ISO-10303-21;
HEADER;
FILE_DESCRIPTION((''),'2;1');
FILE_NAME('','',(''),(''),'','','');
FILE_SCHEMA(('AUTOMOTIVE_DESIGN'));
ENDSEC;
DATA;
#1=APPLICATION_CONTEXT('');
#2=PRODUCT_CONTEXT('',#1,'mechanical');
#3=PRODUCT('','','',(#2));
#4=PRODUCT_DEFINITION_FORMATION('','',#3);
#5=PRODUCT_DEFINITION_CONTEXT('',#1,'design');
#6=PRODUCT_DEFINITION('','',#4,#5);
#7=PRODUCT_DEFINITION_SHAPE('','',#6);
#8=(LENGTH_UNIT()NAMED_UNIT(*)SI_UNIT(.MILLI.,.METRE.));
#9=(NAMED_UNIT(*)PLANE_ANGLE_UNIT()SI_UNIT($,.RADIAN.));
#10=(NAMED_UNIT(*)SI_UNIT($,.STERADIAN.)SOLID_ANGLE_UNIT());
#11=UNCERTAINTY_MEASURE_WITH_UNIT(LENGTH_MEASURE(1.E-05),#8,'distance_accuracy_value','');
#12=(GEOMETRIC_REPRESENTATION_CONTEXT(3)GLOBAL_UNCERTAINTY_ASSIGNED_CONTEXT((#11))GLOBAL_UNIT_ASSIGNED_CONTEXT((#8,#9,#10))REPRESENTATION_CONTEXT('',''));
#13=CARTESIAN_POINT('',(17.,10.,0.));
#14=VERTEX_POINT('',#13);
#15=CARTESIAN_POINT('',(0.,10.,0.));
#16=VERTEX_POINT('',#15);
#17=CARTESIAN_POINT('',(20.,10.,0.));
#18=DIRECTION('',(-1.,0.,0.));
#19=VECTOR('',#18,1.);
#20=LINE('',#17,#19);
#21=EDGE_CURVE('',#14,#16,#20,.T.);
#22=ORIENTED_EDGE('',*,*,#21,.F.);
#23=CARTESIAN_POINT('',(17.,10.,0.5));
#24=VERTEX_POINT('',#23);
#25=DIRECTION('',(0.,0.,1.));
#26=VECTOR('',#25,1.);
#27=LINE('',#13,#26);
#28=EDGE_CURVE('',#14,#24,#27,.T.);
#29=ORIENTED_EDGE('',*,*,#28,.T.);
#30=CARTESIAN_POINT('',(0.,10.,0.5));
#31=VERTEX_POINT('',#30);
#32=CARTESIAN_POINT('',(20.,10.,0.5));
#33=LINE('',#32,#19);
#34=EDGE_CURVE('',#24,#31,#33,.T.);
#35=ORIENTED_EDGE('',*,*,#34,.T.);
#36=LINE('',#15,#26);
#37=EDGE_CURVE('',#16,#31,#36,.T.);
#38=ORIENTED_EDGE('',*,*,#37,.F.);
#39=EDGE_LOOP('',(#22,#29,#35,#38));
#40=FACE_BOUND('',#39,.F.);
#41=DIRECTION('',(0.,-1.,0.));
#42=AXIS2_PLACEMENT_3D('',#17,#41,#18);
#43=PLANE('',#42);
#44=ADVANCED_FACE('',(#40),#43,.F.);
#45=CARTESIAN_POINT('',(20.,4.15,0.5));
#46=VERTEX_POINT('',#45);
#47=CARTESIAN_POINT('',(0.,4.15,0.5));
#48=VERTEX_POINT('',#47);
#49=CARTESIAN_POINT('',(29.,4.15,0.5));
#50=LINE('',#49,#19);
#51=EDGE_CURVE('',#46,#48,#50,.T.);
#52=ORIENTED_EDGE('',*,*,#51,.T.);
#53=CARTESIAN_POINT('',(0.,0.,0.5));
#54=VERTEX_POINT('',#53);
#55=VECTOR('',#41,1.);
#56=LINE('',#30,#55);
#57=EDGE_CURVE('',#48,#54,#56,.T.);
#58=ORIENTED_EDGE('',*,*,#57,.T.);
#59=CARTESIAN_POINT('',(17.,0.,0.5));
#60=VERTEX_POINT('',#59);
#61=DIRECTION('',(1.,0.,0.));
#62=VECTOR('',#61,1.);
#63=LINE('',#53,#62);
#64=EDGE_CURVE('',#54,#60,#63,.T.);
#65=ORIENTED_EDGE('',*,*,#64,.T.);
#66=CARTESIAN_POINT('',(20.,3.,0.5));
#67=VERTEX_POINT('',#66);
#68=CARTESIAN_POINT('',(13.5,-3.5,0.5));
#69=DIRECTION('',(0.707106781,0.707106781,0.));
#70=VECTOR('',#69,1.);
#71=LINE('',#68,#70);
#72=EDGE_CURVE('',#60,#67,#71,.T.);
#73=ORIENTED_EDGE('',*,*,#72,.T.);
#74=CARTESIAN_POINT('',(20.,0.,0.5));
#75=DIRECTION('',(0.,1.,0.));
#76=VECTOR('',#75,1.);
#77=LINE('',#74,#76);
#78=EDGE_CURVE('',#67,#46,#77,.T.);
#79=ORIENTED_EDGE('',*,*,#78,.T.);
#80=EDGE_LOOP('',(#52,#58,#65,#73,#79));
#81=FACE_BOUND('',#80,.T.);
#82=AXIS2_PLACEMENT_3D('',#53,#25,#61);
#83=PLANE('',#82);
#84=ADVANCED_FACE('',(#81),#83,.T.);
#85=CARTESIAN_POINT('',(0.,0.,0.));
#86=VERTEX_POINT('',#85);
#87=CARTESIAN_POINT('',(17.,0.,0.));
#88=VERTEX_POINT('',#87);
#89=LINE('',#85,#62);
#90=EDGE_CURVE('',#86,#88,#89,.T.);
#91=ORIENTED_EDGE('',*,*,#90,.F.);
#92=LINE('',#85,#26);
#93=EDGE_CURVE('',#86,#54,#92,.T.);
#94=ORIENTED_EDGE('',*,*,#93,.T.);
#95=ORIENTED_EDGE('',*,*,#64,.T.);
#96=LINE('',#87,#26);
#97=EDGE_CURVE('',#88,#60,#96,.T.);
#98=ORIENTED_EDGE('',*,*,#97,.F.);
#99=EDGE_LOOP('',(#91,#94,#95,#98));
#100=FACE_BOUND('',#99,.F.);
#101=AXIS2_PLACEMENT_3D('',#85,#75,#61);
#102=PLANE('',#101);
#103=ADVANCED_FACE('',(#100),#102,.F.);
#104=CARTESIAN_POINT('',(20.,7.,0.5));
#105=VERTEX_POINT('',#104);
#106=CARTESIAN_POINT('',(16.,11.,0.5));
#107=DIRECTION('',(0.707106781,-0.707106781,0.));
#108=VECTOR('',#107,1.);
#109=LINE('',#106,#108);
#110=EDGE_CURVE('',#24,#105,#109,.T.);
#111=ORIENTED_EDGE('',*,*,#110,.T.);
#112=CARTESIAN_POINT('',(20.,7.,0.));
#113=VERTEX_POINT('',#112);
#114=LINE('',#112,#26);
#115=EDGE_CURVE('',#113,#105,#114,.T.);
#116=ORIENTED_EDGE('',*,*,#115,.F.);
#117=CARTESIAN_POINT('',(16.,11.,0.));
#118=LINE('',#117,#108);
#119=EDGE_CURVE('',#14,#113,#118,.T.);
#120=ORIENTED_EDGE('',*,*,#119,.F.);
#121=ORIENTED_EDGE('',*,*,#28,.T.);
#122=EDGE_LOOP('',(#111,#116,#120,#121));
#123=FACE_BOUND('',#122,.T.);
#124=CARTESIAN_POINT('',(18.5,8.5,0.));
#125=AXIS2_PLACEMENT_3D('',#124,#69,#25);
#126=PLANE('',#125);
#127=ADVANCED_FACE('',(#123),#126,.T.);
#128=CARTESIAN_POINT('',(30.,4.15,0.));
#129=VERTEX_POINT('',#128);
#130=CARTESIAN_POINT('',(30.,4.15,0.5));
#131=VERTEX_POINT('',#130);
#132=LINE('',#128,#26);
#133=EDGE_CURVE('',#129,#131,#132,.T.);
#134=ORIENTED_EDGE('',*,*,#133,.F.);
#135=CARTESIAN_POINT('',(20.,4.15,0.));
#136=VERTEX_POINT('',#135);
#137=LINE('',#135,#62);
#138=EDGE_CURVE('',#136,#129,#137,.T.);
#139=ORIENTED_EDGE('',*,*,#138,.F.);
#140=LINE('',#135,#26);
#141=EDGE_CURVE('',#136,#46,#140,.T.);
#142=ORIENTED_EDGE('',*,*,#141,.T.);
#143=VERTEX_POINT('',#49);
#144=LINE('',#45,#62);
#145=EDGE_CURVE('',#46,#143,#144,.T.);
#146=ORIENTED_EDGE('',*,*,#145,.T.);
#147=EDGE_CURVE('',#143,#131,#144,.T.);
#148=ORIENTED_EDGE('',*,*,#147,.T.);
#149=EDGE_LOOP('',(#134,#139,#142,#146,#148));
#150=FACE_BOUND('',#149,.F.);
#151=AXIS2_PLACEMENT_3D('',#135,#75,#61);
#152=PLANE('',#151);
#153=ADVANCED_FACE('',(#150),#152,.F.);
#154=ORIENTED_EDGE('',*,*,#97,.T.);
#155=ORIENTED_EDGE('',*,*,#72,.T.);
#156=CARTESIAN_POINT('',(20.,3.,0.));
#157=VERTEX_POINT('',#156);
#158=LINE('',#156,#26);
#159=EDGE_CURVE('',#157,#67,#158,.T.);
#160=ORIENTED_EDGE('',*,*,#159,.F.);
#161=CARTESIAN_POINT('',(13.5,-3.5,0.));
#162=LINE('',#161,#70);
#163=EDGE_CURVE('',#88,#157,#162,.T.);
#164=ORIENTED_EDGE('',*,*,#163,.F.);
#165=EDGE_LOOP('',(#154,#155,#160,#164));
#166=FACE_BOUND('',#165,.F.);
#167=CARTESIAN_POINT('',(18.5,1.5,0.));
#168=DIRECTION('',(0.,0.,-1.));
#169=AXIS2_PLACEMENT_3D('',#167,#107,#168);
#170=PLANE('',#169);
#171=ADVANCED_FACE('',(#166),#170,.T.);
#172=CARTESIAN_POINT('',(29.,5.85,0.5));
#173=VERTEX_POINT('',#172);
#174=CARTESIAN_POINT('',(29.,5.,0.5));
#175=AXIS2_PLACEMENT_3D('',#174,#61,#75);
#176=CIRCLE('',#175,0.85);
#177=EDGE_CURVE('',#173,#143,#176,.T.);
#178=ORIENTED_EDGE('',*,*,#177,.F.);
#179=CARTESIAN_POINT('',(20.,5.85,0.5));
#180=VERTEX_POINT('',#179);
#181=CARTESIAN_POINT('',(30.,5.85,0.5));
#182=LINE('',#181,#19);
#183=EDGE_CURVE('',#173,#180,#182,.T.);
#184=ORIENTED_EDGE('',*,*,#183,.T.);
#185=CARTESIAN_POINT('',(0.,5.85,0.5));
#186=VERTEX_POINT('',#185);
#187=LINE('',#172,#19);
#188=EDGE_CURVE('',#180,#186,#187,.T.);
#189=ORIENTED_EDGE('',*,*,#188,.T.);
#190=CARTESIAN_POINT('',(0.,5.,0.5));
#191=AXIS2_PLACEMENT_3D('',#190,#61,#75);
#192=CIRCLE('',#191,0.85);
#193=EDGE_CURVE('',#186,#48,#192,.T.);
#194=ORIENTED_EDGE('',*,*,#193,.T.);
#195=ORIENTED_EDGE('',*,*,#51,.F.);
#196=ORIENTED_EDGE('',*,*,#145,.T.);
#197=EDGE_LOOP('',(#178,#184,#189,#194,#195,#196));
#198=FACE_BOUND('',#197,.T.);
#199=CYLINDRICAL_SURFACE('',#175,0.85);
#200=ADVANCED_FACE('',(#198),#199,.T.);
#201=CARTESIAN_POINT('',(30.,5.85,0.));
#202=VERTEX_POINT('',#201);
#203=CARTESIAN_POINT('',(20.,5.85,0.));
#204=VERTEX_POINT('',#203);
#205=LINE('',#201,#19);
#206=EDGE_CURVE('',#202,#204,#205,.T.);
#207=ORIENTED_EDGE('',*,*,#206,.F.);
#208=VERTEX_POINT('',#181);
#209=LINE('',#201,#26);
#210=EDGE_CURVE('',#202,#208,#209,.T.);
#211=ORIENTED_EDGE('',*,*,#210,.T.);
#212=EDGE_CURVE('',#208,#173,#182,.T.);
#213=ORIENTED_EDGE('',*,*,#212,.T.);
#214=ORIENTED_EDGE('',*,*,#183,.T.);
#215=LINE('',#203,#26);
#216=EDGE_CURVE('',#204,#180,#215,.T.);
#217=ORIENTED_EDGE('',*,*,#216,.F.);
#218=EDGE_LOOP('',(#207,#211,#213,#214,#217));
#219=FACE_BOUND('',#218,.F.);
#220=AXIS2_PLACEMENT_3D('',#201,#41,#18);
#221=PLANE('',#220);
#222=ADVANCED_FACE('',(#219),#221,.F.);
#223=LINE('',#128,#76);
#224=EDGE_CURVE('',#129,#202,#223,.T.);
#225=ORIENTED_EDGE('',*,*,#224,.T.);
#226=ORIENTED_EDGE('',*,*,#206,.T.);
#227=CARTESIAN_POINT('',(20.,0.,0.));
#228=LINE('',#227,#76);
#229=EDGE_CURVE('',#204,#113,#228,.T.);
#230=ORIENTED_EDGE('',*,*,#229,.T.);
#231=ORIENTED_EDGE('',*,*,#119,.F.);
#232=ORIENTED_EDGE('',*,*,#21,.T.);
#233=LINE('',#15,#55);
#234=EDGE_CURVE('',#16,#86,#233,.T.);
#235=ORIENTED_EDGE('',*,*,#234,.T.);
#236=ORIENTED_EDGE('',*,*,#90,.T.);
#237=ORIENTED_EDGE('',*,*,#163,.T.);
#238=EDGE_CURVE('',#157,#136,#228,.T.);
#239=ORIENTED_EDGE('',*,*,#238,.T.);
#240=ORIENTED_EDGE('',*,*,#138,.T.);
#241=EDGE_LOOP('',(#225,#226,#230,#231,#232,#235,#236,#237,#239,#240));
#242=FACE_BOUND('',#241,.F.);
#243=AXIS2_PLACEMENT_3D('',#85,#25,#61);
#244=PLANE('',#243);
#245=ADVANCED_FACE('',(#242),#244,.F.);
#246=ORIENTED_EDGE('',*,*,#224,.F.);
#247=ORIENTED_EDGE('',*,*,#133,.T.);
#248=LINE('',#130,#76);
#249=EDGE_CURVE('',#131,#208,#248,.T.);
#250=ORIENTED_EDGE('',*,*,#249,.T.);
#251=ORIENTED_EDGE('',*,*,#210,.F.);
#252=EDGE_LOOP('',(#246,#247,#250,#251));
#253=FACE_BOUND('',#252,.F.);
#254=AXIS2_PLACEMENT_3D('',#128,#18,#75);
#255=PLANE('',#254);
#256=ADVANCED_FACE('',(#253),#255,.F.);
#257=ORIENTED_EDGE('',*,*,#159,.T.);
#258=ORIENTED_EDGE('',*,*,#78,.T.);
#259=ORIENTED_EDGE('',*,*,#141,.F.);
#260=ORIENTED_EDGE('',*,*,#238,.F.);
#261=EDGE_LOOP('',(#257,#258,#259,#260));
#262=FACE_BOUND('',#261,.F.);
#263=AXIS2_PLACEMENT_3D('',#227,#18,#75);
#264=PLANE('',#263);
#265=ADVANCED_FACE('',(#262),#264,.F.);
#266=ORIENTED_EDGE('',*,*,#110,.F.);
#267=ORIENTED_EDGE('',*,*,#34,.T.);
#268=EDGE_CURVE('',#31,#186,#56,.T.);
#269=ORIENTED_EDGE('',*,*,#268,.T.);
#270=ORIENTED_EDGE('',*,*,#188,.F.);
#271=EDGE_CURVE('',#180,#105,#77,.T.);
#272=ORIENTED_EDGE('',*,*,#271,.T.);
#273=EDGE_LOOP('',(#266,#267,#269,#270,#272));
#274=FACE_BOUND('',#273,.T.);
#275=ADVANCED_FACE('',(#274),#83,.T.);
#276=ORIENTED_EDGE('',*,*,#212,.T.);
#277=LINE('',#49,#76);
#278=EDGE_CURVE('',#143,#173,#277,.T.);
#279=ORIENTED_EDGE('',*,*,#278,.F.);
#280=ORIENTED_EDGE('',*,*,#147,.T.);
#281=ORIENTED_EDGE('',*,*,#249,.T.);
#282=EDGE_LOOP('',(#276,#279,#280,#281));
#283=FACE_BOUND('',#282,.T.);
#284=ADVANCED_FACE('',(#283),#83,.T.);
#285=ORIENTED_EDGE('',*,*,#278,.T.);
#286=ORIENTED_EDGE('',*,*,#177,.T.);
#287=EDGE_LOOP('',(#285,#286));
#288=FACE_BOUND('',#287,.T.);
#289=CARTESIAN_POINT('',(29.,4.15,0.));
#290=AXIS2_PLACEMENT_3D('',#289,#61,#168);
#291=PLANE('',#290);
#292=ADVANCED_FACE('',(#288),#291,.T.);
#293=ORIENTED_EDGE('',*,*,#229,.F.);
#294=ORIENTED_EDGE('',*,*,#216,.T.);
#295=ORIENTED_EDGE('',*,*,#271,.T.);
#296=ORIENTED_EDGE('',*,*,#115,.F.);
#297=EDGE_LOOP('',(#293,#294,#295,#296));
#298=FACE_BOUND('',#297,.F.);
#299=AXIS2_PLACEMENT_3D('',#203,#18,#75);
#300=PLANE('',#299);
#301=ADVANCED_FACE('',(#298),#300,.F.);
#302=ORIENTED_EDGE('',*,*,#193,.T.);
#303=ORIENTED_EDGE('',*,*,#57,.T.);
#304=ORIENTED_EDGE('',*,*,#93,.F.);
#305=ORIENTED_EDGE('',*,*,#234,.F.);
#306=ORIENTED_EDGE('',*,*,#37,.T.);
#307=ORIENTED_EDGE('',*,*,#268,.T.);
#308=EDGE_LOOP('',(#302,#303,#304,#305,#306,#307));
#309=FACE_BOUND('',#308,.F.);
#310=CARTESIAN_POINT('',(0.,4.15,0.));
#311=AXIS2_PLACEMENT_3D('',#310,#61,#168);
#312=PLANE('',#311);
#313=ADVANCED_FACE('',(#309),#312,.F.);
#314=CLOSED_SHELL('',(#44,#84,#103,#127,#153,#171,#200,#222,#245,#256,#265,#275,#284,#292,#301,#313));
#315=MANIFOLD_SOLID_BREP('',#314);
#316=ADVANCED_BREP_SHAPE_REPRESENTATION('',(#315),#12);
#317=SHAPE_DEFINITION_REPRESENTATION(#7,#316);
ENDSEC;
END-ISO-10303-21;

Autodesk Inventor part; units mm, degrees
ref_plane "YZ Plane" through (0, 0, 0) normal (1, 0, 0) x (0, 1, 0)
ref_plane "XZ Plane" through (0, 0, 0) normal (0, 1, 0) x (-1, 0, 0)
sketch "Sketch5" plane through (0, 0, 0) normal (0, 0, 1) x (1, 0, 0)
  line L0 (0, 0) -> (20, 0)
  line L1 (20, 0) -> (20, 10)
  line L2 (20, 10) -> (0, 10)
  line L3 (0, 10) -> (0, 0)
  line L4 (20, 4.15) -> (30, 4.15)
  line L5 (30, 4.15) -> (30, 5.85)
  line L6 (30, 5.85) -> (20, 5.85)
  line L7 (20, 5.85) -> (20, 4.15)
  point P0 (20, 5)
  point P1 (20, 5)
  dimension "d11" = 10
  dimension "d12" = 1.7
  dimension "d13" = 20
  dimension "d14" = 10
extrude "Extrusion3" add sketch "Sketch5" along normal blind 0.5
chamfer "Chamfer1" distance 3 angle 45 2 edges at (20, 10, 0.25) (20, 0, 0.25)
ref_plane "Work Plane1" through (29, 4.15, 0) normal (1, 0, 0) x (0, 0, -1)
sketch "Sketch6" plane through (29, 4.15, 0) normal (1, 0, 0) x (0, 0, -1)
  line L0 (0, 1.7) -> (0, 0) projected
  line L1 (0, 0) -> (-0.5, 0) projected
  line L2 (-0.5, 0) -> (-0.5, 1.7) projected
  line L3 (-0.5, 1.7) -> (0, 1.7) projected
  arc A0 (-0.5, 1.7) -> (-0.5, 0) centre (-0.5, 0.85) ccw
  point P0 (0, -4.15)
extrude "Extrusion4" add sketch "Sketch6" against normal up to surface (29 mm away) contours L2 A0
properties part number "current-adjusting-screwdriver"
